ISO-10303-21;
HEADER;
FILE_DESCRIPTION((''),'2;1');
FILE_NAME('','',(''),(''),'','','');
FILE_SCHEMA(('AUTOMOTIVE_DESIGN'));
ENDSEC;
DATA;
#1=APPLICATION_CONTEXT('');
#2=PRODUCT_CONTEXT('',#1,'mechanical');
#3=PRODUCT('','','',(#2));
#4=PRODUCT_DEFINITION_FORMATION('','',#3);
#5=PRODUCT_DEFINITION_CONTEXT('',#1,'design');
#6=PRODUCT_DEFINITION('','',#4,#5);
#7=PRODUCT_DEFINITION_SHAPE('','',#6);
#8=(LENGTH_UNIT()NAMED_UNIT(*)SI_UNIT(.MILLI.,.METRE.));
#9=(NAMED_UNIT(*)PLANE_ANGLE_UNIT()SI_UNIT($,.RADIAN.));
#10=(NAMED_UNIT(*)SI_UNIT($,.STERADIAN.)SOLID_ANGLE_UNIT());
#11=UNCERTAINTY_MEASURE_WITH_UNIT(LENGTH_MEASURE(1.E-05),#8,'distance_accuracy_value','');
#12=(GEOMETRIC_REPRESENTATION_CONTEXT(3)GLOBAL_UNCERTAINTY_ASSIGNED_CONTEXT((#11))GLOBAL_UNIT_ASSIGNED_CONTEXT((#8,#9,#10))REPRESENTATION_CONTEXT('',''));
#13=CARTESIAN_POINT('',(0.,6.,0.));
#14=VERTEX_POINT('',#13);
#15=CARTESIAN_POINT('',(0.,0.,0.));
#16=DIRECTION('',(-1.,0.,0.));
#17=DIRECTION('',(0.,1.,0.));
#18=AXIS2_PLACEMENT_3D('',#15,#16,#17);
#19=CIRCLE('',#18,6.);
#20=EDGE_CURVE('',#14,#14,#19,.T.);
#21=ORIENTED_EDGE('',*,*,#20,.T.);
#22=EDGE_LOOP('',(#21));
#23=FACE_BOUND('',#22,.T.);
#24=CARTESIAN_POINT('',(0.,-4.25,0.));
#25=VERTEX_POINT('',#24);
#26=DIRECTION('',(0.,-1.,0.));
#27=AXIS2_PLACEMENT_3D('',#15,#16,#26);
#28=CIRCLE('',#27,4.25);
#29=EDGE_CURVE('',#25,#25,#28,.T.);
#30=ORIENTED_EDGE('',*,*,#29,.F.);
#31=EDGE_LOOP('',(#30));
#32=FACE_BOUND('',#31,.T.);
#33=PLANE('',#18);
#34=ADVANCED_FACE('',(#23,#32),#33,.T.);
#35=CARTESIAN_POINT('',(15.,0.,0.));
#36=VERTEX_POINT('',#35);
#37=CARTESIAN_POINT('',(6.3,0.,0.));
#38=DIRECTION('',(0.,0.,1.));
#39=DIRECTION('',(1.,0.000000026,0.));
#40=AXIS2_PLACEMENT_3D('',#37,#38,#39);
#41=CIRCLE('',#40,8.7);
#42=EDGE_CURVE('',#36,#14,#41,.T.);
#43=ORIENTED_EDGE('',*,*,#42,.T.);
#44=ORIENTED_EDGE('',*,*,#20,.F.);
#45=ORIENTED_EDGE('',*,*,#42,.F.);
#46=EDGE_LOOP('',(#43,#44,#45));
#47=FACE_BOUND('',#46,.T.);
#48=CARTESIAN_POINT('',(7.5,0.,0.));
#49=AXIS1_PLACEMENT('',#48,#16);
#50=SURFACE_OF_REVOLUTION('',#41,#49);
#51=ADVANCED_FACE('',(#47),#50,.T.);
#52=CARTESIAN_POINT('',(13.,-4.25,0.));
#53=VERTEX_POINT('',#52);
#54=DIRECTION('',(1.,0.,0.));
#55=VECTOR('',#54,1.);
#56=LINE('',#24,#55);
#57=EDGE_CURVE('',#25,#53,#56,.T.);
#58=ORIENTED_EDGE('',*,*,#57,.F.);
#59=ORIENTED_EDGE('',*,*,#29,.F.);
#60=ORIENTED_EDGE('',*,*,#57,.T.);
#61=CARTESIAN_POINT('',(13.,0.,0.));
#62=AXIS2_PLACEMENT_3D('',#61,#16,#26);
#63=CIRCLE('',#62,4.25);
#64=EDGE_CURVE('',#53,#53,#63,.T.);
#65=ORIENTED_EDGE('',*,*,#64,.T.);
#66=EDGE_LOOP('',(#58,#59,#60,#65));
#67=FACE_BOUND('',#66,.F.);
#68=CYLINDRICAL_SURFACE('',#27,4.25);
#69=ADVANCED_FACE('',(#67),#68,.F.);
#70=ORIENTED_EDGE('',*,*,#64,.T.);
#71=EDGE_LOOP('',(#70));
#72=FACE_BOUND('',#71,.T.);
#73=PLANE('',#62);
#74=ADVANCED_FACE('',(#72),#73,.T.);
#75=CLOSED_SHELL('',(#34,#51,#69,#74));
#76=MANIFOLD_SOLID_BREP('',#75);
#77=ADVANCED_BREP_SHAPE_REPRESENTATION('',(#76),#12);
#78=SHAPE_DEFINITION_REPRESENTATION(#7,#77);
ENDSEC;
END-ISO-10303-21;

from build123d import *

# Parameters (mm, degrees)
F2_R     = 4.25
F3_DEPTH = 13


with BuildPart() as f1:
    # F0 (on Top) → F1 (revolve)
    with BuildSketch(Plane.XY):
        with BuildLine():
            Line((0, 0), (15, 0))
            ThreePointArc((15, 0), (9.531099, 8.077747), (0, 6))
            Line((0, 6), (0, 0))
        make_face()
    revolve(axis=Axis((7.5, 0, 0), (-1, 0, 0)))

    # F2 (on face) → F3 (cut)
    with BuildSketch(Plane(origin=(0, 0, 0), x_dir=(0, -1, 0), z_dir=(-1, 0, 0))):
        Circle(F2_R)
    extrude(amount=-F3_DEPTH, mode=Mode.SUBTRACT)


solid = f1.part
